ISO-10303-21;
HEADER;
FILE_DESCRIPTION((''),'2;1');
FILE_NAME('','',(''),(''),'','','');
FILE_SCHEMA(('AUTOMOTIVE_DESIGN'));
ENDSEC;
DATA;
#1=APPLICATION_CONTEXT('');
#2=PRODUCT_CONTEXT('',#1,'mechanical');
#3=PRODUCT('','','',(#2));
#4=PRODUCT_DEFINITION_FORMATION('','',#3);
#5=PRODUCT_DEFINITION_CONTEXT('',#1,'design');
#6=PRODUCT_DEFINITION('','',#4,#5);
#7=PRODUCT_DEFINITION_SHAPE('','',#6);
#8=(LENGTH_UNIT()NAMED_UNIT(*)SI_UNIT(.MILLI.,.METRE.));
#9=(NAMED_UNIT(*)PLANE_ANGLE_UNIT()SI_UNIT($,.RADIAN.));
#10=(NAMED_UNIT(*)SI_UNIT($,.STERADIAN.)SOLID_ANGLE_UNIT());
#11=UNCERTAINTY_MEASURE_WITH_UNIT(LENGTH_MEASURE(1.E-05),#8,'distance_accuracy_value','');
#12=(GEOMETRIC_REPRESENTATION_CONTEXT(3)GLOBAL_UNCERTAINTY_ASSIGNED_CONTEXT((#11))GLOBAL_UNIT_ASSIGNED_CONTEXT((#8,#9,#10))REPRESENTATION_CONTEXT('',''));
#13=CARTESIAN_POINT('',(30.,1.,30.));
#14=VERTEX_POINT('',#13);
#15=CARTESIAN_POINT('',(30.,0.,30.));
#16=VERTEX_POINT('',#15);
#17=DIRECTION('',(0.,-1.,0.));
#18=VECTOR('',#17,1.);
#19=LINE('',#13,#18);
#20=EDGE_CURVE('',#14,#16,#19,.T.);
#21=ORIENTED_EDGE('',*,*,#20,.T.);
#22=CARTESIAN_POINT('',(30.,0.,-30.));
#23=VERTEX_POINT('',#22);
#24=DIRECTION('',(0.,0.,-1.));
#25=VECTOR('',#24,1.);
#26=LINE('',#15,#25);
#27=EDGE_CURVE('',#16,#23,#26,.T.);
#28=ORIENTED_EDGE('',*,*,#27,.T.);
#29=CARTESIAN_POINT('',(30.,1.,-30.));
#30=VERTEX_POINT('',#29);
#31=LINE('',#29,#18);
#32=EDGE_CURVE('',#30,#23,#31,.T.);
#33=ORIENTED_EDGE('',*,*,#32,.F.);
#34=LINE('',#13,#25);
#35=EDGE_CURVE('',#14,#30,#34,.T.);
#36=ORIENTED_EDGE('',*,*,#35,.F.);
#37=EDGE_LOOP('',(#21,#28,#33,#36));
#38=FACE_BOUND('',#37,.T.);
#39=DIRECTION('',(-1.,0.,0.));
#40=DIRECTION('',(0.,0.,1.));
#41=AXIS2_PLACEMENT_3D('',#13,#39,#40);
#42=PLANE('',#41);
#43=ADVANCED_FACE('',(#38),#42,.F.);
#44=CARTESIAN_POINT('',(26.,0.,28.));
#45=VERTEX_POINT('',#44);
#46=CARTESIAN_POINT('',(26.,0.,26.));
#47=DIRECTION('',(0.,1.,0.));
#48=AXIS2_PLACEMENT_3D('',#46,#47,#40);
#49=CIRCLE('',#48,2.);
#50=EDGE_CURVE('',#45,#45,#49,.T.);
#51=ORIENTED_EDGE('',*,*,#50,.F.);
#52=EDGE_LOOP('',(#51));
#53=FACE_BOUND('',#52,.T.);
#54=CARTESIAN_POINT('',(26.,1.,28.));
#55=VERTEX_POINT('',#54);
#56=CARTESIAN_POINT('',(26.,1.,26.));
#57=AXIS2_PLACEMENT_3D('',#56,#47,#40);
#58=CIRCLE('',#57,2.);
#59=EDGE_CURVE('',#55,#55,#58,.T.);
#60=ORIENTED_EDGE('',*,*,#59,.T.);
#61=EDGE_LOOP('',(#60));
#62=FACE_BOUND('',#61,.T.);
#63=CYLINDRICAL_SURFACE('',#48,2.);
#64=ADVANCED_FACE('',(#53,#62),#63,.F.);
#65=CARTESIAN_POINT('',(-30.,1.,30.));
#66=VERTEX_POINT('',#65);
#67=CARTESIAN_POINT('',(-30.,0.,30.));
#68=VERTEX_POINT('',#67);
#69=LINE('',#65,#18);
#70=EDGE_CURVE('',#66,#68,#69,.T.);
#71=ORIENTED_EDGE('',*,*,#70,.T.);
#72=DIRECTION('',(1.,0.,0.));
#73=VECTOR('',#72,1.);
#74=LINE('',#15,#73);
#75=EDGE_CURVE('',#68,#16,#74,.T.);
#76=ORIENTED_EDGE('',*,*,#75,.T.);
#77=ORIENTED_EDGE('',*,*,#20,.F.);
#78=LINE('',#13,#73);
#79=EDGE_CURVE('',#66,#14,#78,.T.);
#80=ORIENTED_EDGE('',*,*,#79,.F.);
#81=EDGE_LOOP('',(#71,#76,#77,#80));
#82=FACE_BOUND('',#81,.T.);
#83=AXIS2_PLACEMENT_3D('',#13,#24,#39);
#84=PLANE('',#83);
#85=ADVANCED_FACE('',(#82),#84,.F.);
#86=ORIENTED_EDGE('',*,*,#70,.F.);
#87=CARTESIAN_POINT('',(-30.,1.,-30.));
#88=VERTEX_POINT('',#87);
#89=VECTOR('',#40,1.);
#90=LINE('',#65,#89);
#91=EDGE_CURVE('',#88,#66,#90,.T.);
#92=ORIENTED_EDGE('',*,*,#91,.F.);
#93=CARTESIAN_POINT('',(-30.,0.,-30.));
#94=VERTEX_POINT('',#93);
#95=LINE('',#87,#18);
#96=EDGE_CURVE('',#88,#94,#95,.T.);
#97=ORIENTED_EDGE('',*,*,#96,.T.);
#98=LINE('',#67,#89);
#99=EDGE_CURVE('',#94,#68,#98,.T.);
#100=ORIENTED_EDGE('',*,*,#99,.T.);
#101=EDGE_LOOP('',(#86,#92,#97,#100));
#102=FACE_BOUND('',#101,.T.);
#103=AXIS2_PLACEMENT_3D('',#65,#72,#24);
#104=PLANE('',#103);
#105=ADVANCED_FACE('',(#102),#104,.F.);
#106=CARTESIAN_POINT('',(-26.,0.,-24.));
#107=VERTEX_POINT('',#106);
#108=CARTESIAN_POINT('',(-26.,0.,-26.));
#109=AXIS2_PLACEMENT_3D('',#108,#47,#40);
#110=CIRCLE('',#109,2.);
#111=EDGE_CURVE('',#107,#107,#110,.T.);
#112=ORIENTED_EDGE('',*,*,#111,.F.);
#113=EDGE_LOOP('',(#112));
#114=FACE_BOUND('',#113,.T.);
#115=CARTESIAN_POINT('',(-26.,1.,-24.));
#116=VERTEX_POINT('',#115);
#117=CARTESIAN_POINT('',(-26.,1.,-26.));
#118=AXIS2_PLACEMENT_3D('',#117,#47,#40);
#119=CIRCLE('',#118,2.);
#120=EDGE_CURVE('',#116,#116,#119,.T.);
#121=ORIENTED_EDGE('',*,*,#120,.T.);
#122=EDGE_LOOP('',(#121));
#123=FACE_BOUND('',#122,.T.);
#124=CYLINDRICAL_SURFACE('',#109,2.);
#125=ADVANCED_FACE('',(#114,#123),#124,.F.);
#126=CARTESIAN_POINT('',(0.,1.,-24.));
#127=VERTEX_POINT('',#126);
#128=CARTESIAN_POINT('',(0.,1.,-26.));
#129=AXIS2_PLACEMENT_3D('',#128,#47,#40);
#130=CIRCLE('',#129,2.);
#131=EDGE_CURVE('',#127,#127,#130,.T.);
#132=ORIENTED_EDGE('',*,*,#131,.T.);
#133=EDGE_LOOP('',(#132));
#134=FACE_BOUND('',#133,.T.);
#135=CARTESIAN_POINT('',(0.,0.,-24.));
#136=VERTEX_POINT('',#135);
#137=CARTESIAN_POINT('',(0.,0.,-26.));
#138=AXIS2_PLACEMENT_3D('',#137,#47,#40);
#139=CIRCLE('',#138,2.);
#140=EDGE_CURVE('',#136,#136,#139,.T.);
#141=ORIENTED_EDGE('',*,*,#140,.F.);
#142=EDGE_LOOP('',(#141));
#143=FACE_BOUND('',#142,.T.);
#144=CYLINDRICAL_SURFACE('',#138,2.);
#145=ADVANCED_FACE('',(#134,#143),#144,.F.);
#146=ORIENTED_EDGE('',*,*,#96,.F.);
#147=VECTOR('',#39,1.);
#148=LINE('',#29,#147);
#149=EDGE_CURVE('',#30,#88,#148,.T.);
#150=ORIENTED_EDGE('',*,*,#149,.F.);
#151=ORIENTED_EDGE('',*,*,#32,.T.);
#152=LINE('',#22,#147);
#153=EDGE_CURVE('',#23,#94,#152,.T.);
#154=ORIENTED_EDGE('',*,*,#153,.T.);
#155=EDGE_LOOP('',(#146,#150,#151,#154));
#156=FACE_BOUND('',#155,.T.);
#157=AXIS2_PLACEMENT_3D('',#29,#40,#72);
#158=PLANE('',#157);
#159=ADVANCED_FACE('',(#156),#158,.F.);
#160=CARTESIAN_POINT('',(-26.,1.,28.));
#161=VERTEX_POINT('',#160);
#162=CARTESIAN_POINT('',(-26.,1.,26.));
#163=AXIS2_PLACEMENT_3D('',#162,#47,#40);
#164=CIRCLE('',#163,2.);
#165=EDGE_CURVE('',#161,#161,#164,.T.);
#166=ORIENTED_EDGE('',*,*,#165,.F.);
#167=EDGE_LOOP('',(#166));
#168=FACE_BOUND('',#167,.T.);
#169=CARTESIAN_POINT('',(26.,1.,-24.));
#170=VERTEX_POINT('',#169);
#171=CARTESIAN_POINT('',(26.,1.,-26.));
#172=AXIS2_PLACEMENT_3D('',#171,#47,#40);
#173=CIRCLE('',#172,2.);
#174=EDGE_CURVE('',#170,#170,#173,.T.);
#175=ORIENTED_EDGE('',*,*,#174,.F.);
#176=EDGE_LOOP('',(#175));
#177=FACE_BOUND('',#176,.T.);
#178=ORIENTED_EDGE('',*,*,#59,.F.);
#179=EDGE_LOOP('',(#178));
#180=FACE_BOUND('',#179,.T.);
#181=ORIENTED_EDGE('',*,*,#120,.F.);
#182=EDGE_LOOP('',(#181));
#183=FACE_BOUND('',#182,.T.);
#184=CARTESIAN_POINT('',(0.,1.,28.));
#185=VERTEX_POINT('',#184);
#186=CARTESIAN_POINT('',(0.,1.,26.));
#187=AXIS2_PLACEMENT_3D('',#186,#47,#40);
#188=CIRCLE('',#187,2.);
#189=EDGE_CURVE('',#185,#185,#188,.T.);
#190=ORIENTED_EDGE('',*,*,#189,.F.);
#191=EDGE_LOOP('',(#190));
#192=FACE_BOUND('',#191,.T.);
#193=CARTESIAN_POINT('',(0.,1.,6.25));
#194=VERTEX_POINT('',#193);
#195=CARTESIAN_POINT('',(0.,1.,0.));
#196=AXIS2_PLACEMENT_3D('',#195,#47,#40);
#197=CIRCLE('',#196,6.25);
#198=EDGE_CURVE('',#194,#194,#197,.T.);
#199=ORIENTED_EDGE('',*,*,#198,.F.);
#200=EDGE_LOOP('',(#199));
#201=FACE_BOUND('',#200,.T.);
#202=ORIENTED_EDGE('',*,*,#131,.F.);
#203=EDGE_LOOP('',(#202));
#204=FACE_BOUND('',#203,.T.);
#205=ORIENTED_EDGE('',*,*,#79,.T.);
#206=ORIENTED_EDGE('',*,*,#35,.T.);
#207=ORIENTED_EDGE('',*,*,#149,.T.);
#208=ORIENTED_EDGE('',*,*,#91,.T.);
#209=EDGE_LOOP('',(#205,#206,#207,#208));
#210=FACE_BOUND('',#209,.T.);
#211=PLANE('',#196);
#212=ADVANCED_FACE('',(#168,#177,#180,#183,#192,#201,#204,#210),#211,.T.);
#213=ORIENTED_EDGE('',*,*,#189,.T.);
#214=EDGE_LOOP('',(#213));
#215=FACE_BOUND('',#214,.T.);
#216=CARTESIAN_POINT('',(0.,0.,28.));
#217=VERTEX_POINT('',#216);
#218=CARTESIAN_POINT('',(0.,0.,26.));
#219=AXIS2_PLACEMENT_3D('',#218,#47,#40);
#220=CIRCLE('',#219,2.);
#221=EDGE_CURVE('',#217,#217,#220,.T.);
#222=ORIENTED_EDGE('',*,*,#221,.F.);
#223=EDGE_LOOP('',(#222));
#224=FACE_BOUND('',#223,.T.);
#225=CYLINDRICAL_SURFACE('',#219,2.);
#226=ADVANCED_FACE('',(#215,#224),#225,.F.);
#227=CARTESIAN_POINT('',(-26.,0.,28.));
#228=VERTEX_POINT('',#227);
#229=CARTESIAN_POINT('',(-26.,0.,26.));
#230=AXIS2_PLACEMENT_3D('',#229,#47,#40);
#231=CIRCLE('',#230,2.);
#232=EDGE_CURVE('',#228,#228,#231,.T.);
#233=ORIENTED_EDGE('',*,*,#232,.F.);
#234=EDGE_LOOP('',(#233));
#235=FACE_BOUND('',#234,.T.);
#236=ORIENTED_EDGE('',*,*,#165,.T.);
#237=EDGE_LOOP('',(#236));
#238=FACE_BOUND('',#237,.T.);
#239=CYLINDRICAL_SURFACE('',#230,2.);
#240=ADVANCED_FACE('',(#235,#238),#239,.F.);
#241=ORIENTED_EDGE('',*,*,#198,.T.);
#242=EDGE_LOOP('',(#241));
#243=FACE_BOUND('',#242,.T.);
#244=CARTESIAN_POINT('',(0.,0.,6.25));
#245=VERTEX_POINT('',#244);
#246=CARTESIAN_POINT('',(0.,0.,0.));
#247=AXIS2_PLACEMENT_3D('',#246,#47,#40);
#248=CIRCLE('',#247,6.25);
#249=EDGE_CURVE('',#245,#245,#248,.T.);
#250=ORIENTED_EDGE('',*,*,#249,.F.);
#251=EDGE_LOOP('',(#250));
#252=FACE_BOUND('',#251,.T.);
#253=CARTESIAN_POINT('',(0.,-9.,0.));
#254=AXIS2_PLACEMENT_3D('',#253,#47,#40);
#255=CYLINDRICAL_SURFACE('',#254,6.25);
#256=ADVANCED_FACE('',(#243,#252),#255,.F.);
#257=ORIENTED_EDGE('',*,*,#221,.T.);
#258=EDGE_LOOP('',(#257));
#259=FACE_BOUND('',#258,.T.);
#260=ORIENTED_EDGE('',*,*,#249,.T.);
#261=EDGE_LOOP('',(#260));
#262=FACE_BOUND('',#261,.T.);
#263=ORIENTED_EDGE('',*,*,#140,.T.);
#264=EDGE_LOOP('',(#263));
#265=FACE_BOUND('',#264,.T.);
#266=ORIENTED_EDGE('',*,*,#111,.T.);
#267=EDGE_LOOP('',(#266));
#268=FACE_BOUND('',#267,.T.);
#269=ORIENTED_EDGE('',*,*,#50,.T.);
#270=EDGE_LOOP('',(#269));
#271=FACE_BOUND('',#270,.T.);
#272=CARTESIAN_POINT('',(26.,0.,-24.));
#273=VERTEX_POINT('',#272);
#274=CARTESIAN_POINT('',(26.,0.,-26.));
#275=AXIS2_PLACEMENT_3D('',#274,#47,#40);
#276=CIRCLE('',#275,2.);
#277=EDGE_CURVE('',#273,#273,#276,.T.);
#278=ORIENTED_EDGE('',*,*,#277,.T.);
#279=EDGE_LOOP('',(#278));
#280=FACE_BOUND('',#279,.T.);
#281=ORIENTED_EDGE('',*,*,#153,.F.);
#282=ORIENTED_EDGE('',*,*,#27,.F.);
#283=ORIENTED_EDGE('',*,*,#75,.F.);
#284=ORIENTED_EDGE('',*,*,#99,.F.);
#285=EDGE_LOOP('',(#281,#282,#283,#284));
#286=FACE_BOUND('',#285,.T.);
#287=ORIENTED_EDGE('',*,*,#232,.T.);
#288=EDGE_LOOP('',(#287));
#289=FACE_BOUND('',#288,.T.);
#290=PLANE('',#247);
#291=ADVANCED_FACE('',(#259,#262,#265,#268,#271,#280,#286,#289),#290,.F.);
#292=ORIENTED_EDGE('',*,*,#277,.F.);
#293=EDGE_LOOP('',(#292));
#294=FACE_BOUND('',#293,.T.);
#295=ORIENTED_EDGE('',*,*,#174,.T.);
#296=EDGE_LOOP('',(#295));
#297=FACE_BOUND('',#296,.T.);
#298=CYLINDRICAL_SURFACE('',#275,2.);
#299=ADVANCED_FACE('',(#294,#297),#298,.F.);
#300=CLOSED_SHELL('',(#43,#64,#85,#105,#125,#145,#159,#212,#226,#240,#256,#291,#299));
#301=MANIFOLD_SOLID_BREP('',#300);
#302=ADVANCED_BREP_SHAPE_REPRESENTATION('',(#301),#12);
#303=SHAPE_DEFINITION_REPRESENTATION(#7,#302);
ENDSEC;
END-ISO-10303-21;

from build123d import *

# Parameters (mm, degrees)
SKETCH1_W           = 60
SKETCH1_H           = 60
BOSS_EXTRUDE1_DEPTH = 1
SKETCH2_R           = 2
CUT_EXTRUDE1_DEPTH  = 2
SKETCH4_R           = 6.25
CUT_EXTRUDE3_DEPTH  = 10


with BuildPart() as part:
    # Sketch1 → Boss-Extrude1 (new body)
    with BuildSketch(Plane(origin=(0, 0, 0), x_dir=(1, 0, 0), z_dir=(0, 1, 0))):
        Rectangle(SKETCH1_W, SKETCH1_H)
    extrude(amount=BOSS_EXTRUDE1_DEPTH)

    # Sketch2 → Cut-Extrude1 (cut, through all)
    with BuildSketch(Plane(origin=(0, 1, 0), x_dir=(1, 0, 0), z_dir=(0, 1, 0))):
        with Locations((-26, 26)):
            Circle(SKETCH2_R)
        with Locations((0, 26)):
            Circle(SKETCH2_R)
        with Locations((26, 26)):
            Circle(SKETCH2_R)
        with Locations((26, -26)):
            Circle(SKETCH2_R)
        with Locations((0, -26)):
            Circle(SKETCH2_R)
        with Locations((-26, -26)):
            Circle(SKETCH2_R)
    extrude(amount=-CUT_EXTRUDE1_DEPTH, mode=Mode.SUBTRACT)

    # Sketch4 → Cut-Extrude3 (cut)
    with BuildSketch(Plane(origin=(0, 1, 0), x_dir=(1, 0, 0), z_dir=(0, 1, 0))):
        Circle(SKETCH4_R)
    extrude(amount=-CUT_EXTRUDE3_DEPTH, mode=Mode.SUBTRACT)


solid = part.part
